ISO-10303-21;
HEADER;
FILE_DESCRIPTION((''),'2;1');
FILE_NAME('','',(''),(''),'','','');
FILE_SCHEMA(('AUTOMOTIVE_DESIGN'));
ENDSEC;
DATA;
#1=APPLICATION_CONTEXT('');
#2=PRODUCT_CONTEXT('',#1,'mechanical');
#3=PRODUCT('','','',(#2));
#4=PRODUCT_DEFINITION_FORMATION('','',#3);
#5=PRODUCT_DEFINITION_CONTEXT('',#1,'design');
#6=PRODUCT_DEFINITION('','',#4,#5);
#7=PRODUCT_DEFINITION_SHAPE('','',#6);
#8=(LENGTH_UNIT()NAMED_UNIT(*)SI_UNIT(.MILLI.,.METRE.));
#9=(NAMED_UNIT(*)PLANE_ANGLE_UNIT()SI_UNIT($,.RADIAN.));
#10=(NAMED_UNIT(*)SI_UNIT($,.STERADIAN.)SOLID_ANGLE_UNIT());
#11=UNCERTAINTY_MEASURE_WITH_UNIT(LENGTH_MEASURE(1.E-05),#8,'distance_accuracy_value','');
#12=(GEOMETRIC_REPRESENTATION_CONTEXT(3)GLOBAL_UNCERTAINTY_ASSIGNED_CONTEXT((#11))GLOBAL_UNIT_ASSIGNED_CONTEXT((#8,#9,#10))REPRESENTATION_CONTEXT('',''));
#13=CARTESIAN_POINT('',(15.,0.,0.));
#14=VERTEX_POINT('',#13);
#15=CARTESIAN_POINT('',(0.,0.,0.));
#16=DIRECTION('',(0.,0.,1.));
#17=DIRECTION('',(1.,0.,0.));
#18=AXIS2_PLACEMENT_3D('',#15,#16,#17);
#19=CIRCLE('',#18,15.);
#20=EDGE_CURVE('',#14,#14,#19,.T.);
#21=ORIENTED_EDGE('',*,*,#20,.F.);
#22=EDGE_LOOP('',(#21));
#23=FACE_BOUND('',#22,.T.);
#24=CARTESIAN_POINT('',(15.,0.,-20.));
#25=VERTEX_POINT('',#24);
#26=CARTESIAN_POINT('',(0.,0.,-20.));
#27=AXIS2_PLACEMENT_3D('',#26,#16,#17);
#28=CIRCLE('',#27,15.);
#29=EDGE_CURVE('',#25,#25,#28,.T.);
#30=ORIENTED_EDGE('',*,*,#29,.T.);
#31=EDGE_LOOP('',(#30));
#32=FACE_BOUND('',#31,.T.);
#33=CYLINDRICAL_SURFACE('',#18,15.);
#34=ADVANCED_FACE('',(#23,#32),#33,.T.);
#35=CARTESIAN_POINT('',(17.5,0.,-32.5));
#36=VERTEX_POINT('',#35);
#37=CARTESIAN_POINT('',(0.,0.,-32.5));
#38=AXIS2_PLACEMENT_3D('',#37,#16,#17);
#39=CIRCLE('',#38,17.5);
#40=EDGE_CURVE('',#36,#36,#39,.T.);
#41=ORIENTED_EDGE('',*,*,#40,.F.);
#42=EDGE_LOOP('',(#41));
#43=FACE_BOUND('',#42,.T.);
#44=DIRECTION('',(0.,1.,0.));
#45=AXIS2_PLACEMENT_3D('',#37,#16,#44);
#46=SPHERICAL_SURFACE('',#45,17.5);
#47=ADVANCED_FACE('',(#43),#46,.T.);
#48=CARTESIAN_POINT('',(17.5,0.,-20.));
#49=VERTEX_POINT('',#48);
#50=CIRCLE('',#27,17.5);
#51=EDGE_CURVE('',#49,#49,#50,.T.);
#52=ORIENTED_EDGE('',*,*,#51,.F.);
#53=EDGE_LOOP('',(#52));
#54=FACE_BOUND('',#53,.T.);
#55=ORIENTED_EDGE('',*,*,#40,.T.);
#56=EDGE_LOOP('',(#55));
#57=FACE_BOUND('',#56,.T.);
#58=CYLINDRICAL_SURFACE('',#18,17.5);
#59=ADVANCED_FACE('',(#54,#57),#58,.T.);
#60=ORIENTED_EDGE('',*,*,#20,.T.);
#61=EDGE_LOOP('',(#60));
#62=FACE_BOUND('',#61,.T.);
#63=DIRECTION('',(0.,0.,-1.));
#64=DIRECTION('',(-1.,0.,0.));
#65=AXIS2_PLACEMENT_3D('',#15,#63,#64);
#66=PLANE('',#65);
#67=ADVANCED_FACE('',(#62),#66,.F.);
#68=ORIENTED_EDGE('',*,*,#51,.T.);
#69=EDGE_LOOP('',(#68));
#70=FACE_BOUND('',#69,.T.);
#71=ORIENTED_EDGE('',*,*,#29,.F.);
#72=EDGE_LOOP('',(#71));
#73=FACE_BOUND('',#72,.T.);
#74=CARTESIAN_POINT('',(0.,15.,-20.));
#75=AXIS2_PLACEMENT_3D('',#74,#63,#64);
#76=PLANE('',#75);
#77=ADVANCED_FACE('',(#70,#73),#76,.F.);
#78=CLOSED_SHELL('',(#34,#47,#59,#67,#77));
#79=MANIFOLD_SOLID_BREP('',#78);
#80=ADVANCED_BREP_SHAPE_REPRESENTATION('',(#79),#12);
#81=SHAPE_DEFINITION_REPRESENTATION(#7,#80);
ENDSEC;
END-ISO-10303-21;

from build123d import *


with BuildPart() as part:
    # Croquis1 → Revolución1 (revolve)
    with BuildSketch(Plane(origin=(0, 0, 0), x_dir=(0, 0, -1), z_dir=(1, 0, 0))):
        with BuildLine():
            Line((0, 0), (0, 15))
            Line((0, 15), (20, 15))
            Line((20, 15), (20, 17.5))
            Line((20, 17.5), (32.5, 17.5))
            ThreePointArc((32.5, 17.5), (44.874368671, 12.374368671), (50, 0))
            Line((50, 0), (0, 0))
        make_face()
    revolve(axis=Axis((0, 0, 0), (0, 0, -1)))


solid = part.part
